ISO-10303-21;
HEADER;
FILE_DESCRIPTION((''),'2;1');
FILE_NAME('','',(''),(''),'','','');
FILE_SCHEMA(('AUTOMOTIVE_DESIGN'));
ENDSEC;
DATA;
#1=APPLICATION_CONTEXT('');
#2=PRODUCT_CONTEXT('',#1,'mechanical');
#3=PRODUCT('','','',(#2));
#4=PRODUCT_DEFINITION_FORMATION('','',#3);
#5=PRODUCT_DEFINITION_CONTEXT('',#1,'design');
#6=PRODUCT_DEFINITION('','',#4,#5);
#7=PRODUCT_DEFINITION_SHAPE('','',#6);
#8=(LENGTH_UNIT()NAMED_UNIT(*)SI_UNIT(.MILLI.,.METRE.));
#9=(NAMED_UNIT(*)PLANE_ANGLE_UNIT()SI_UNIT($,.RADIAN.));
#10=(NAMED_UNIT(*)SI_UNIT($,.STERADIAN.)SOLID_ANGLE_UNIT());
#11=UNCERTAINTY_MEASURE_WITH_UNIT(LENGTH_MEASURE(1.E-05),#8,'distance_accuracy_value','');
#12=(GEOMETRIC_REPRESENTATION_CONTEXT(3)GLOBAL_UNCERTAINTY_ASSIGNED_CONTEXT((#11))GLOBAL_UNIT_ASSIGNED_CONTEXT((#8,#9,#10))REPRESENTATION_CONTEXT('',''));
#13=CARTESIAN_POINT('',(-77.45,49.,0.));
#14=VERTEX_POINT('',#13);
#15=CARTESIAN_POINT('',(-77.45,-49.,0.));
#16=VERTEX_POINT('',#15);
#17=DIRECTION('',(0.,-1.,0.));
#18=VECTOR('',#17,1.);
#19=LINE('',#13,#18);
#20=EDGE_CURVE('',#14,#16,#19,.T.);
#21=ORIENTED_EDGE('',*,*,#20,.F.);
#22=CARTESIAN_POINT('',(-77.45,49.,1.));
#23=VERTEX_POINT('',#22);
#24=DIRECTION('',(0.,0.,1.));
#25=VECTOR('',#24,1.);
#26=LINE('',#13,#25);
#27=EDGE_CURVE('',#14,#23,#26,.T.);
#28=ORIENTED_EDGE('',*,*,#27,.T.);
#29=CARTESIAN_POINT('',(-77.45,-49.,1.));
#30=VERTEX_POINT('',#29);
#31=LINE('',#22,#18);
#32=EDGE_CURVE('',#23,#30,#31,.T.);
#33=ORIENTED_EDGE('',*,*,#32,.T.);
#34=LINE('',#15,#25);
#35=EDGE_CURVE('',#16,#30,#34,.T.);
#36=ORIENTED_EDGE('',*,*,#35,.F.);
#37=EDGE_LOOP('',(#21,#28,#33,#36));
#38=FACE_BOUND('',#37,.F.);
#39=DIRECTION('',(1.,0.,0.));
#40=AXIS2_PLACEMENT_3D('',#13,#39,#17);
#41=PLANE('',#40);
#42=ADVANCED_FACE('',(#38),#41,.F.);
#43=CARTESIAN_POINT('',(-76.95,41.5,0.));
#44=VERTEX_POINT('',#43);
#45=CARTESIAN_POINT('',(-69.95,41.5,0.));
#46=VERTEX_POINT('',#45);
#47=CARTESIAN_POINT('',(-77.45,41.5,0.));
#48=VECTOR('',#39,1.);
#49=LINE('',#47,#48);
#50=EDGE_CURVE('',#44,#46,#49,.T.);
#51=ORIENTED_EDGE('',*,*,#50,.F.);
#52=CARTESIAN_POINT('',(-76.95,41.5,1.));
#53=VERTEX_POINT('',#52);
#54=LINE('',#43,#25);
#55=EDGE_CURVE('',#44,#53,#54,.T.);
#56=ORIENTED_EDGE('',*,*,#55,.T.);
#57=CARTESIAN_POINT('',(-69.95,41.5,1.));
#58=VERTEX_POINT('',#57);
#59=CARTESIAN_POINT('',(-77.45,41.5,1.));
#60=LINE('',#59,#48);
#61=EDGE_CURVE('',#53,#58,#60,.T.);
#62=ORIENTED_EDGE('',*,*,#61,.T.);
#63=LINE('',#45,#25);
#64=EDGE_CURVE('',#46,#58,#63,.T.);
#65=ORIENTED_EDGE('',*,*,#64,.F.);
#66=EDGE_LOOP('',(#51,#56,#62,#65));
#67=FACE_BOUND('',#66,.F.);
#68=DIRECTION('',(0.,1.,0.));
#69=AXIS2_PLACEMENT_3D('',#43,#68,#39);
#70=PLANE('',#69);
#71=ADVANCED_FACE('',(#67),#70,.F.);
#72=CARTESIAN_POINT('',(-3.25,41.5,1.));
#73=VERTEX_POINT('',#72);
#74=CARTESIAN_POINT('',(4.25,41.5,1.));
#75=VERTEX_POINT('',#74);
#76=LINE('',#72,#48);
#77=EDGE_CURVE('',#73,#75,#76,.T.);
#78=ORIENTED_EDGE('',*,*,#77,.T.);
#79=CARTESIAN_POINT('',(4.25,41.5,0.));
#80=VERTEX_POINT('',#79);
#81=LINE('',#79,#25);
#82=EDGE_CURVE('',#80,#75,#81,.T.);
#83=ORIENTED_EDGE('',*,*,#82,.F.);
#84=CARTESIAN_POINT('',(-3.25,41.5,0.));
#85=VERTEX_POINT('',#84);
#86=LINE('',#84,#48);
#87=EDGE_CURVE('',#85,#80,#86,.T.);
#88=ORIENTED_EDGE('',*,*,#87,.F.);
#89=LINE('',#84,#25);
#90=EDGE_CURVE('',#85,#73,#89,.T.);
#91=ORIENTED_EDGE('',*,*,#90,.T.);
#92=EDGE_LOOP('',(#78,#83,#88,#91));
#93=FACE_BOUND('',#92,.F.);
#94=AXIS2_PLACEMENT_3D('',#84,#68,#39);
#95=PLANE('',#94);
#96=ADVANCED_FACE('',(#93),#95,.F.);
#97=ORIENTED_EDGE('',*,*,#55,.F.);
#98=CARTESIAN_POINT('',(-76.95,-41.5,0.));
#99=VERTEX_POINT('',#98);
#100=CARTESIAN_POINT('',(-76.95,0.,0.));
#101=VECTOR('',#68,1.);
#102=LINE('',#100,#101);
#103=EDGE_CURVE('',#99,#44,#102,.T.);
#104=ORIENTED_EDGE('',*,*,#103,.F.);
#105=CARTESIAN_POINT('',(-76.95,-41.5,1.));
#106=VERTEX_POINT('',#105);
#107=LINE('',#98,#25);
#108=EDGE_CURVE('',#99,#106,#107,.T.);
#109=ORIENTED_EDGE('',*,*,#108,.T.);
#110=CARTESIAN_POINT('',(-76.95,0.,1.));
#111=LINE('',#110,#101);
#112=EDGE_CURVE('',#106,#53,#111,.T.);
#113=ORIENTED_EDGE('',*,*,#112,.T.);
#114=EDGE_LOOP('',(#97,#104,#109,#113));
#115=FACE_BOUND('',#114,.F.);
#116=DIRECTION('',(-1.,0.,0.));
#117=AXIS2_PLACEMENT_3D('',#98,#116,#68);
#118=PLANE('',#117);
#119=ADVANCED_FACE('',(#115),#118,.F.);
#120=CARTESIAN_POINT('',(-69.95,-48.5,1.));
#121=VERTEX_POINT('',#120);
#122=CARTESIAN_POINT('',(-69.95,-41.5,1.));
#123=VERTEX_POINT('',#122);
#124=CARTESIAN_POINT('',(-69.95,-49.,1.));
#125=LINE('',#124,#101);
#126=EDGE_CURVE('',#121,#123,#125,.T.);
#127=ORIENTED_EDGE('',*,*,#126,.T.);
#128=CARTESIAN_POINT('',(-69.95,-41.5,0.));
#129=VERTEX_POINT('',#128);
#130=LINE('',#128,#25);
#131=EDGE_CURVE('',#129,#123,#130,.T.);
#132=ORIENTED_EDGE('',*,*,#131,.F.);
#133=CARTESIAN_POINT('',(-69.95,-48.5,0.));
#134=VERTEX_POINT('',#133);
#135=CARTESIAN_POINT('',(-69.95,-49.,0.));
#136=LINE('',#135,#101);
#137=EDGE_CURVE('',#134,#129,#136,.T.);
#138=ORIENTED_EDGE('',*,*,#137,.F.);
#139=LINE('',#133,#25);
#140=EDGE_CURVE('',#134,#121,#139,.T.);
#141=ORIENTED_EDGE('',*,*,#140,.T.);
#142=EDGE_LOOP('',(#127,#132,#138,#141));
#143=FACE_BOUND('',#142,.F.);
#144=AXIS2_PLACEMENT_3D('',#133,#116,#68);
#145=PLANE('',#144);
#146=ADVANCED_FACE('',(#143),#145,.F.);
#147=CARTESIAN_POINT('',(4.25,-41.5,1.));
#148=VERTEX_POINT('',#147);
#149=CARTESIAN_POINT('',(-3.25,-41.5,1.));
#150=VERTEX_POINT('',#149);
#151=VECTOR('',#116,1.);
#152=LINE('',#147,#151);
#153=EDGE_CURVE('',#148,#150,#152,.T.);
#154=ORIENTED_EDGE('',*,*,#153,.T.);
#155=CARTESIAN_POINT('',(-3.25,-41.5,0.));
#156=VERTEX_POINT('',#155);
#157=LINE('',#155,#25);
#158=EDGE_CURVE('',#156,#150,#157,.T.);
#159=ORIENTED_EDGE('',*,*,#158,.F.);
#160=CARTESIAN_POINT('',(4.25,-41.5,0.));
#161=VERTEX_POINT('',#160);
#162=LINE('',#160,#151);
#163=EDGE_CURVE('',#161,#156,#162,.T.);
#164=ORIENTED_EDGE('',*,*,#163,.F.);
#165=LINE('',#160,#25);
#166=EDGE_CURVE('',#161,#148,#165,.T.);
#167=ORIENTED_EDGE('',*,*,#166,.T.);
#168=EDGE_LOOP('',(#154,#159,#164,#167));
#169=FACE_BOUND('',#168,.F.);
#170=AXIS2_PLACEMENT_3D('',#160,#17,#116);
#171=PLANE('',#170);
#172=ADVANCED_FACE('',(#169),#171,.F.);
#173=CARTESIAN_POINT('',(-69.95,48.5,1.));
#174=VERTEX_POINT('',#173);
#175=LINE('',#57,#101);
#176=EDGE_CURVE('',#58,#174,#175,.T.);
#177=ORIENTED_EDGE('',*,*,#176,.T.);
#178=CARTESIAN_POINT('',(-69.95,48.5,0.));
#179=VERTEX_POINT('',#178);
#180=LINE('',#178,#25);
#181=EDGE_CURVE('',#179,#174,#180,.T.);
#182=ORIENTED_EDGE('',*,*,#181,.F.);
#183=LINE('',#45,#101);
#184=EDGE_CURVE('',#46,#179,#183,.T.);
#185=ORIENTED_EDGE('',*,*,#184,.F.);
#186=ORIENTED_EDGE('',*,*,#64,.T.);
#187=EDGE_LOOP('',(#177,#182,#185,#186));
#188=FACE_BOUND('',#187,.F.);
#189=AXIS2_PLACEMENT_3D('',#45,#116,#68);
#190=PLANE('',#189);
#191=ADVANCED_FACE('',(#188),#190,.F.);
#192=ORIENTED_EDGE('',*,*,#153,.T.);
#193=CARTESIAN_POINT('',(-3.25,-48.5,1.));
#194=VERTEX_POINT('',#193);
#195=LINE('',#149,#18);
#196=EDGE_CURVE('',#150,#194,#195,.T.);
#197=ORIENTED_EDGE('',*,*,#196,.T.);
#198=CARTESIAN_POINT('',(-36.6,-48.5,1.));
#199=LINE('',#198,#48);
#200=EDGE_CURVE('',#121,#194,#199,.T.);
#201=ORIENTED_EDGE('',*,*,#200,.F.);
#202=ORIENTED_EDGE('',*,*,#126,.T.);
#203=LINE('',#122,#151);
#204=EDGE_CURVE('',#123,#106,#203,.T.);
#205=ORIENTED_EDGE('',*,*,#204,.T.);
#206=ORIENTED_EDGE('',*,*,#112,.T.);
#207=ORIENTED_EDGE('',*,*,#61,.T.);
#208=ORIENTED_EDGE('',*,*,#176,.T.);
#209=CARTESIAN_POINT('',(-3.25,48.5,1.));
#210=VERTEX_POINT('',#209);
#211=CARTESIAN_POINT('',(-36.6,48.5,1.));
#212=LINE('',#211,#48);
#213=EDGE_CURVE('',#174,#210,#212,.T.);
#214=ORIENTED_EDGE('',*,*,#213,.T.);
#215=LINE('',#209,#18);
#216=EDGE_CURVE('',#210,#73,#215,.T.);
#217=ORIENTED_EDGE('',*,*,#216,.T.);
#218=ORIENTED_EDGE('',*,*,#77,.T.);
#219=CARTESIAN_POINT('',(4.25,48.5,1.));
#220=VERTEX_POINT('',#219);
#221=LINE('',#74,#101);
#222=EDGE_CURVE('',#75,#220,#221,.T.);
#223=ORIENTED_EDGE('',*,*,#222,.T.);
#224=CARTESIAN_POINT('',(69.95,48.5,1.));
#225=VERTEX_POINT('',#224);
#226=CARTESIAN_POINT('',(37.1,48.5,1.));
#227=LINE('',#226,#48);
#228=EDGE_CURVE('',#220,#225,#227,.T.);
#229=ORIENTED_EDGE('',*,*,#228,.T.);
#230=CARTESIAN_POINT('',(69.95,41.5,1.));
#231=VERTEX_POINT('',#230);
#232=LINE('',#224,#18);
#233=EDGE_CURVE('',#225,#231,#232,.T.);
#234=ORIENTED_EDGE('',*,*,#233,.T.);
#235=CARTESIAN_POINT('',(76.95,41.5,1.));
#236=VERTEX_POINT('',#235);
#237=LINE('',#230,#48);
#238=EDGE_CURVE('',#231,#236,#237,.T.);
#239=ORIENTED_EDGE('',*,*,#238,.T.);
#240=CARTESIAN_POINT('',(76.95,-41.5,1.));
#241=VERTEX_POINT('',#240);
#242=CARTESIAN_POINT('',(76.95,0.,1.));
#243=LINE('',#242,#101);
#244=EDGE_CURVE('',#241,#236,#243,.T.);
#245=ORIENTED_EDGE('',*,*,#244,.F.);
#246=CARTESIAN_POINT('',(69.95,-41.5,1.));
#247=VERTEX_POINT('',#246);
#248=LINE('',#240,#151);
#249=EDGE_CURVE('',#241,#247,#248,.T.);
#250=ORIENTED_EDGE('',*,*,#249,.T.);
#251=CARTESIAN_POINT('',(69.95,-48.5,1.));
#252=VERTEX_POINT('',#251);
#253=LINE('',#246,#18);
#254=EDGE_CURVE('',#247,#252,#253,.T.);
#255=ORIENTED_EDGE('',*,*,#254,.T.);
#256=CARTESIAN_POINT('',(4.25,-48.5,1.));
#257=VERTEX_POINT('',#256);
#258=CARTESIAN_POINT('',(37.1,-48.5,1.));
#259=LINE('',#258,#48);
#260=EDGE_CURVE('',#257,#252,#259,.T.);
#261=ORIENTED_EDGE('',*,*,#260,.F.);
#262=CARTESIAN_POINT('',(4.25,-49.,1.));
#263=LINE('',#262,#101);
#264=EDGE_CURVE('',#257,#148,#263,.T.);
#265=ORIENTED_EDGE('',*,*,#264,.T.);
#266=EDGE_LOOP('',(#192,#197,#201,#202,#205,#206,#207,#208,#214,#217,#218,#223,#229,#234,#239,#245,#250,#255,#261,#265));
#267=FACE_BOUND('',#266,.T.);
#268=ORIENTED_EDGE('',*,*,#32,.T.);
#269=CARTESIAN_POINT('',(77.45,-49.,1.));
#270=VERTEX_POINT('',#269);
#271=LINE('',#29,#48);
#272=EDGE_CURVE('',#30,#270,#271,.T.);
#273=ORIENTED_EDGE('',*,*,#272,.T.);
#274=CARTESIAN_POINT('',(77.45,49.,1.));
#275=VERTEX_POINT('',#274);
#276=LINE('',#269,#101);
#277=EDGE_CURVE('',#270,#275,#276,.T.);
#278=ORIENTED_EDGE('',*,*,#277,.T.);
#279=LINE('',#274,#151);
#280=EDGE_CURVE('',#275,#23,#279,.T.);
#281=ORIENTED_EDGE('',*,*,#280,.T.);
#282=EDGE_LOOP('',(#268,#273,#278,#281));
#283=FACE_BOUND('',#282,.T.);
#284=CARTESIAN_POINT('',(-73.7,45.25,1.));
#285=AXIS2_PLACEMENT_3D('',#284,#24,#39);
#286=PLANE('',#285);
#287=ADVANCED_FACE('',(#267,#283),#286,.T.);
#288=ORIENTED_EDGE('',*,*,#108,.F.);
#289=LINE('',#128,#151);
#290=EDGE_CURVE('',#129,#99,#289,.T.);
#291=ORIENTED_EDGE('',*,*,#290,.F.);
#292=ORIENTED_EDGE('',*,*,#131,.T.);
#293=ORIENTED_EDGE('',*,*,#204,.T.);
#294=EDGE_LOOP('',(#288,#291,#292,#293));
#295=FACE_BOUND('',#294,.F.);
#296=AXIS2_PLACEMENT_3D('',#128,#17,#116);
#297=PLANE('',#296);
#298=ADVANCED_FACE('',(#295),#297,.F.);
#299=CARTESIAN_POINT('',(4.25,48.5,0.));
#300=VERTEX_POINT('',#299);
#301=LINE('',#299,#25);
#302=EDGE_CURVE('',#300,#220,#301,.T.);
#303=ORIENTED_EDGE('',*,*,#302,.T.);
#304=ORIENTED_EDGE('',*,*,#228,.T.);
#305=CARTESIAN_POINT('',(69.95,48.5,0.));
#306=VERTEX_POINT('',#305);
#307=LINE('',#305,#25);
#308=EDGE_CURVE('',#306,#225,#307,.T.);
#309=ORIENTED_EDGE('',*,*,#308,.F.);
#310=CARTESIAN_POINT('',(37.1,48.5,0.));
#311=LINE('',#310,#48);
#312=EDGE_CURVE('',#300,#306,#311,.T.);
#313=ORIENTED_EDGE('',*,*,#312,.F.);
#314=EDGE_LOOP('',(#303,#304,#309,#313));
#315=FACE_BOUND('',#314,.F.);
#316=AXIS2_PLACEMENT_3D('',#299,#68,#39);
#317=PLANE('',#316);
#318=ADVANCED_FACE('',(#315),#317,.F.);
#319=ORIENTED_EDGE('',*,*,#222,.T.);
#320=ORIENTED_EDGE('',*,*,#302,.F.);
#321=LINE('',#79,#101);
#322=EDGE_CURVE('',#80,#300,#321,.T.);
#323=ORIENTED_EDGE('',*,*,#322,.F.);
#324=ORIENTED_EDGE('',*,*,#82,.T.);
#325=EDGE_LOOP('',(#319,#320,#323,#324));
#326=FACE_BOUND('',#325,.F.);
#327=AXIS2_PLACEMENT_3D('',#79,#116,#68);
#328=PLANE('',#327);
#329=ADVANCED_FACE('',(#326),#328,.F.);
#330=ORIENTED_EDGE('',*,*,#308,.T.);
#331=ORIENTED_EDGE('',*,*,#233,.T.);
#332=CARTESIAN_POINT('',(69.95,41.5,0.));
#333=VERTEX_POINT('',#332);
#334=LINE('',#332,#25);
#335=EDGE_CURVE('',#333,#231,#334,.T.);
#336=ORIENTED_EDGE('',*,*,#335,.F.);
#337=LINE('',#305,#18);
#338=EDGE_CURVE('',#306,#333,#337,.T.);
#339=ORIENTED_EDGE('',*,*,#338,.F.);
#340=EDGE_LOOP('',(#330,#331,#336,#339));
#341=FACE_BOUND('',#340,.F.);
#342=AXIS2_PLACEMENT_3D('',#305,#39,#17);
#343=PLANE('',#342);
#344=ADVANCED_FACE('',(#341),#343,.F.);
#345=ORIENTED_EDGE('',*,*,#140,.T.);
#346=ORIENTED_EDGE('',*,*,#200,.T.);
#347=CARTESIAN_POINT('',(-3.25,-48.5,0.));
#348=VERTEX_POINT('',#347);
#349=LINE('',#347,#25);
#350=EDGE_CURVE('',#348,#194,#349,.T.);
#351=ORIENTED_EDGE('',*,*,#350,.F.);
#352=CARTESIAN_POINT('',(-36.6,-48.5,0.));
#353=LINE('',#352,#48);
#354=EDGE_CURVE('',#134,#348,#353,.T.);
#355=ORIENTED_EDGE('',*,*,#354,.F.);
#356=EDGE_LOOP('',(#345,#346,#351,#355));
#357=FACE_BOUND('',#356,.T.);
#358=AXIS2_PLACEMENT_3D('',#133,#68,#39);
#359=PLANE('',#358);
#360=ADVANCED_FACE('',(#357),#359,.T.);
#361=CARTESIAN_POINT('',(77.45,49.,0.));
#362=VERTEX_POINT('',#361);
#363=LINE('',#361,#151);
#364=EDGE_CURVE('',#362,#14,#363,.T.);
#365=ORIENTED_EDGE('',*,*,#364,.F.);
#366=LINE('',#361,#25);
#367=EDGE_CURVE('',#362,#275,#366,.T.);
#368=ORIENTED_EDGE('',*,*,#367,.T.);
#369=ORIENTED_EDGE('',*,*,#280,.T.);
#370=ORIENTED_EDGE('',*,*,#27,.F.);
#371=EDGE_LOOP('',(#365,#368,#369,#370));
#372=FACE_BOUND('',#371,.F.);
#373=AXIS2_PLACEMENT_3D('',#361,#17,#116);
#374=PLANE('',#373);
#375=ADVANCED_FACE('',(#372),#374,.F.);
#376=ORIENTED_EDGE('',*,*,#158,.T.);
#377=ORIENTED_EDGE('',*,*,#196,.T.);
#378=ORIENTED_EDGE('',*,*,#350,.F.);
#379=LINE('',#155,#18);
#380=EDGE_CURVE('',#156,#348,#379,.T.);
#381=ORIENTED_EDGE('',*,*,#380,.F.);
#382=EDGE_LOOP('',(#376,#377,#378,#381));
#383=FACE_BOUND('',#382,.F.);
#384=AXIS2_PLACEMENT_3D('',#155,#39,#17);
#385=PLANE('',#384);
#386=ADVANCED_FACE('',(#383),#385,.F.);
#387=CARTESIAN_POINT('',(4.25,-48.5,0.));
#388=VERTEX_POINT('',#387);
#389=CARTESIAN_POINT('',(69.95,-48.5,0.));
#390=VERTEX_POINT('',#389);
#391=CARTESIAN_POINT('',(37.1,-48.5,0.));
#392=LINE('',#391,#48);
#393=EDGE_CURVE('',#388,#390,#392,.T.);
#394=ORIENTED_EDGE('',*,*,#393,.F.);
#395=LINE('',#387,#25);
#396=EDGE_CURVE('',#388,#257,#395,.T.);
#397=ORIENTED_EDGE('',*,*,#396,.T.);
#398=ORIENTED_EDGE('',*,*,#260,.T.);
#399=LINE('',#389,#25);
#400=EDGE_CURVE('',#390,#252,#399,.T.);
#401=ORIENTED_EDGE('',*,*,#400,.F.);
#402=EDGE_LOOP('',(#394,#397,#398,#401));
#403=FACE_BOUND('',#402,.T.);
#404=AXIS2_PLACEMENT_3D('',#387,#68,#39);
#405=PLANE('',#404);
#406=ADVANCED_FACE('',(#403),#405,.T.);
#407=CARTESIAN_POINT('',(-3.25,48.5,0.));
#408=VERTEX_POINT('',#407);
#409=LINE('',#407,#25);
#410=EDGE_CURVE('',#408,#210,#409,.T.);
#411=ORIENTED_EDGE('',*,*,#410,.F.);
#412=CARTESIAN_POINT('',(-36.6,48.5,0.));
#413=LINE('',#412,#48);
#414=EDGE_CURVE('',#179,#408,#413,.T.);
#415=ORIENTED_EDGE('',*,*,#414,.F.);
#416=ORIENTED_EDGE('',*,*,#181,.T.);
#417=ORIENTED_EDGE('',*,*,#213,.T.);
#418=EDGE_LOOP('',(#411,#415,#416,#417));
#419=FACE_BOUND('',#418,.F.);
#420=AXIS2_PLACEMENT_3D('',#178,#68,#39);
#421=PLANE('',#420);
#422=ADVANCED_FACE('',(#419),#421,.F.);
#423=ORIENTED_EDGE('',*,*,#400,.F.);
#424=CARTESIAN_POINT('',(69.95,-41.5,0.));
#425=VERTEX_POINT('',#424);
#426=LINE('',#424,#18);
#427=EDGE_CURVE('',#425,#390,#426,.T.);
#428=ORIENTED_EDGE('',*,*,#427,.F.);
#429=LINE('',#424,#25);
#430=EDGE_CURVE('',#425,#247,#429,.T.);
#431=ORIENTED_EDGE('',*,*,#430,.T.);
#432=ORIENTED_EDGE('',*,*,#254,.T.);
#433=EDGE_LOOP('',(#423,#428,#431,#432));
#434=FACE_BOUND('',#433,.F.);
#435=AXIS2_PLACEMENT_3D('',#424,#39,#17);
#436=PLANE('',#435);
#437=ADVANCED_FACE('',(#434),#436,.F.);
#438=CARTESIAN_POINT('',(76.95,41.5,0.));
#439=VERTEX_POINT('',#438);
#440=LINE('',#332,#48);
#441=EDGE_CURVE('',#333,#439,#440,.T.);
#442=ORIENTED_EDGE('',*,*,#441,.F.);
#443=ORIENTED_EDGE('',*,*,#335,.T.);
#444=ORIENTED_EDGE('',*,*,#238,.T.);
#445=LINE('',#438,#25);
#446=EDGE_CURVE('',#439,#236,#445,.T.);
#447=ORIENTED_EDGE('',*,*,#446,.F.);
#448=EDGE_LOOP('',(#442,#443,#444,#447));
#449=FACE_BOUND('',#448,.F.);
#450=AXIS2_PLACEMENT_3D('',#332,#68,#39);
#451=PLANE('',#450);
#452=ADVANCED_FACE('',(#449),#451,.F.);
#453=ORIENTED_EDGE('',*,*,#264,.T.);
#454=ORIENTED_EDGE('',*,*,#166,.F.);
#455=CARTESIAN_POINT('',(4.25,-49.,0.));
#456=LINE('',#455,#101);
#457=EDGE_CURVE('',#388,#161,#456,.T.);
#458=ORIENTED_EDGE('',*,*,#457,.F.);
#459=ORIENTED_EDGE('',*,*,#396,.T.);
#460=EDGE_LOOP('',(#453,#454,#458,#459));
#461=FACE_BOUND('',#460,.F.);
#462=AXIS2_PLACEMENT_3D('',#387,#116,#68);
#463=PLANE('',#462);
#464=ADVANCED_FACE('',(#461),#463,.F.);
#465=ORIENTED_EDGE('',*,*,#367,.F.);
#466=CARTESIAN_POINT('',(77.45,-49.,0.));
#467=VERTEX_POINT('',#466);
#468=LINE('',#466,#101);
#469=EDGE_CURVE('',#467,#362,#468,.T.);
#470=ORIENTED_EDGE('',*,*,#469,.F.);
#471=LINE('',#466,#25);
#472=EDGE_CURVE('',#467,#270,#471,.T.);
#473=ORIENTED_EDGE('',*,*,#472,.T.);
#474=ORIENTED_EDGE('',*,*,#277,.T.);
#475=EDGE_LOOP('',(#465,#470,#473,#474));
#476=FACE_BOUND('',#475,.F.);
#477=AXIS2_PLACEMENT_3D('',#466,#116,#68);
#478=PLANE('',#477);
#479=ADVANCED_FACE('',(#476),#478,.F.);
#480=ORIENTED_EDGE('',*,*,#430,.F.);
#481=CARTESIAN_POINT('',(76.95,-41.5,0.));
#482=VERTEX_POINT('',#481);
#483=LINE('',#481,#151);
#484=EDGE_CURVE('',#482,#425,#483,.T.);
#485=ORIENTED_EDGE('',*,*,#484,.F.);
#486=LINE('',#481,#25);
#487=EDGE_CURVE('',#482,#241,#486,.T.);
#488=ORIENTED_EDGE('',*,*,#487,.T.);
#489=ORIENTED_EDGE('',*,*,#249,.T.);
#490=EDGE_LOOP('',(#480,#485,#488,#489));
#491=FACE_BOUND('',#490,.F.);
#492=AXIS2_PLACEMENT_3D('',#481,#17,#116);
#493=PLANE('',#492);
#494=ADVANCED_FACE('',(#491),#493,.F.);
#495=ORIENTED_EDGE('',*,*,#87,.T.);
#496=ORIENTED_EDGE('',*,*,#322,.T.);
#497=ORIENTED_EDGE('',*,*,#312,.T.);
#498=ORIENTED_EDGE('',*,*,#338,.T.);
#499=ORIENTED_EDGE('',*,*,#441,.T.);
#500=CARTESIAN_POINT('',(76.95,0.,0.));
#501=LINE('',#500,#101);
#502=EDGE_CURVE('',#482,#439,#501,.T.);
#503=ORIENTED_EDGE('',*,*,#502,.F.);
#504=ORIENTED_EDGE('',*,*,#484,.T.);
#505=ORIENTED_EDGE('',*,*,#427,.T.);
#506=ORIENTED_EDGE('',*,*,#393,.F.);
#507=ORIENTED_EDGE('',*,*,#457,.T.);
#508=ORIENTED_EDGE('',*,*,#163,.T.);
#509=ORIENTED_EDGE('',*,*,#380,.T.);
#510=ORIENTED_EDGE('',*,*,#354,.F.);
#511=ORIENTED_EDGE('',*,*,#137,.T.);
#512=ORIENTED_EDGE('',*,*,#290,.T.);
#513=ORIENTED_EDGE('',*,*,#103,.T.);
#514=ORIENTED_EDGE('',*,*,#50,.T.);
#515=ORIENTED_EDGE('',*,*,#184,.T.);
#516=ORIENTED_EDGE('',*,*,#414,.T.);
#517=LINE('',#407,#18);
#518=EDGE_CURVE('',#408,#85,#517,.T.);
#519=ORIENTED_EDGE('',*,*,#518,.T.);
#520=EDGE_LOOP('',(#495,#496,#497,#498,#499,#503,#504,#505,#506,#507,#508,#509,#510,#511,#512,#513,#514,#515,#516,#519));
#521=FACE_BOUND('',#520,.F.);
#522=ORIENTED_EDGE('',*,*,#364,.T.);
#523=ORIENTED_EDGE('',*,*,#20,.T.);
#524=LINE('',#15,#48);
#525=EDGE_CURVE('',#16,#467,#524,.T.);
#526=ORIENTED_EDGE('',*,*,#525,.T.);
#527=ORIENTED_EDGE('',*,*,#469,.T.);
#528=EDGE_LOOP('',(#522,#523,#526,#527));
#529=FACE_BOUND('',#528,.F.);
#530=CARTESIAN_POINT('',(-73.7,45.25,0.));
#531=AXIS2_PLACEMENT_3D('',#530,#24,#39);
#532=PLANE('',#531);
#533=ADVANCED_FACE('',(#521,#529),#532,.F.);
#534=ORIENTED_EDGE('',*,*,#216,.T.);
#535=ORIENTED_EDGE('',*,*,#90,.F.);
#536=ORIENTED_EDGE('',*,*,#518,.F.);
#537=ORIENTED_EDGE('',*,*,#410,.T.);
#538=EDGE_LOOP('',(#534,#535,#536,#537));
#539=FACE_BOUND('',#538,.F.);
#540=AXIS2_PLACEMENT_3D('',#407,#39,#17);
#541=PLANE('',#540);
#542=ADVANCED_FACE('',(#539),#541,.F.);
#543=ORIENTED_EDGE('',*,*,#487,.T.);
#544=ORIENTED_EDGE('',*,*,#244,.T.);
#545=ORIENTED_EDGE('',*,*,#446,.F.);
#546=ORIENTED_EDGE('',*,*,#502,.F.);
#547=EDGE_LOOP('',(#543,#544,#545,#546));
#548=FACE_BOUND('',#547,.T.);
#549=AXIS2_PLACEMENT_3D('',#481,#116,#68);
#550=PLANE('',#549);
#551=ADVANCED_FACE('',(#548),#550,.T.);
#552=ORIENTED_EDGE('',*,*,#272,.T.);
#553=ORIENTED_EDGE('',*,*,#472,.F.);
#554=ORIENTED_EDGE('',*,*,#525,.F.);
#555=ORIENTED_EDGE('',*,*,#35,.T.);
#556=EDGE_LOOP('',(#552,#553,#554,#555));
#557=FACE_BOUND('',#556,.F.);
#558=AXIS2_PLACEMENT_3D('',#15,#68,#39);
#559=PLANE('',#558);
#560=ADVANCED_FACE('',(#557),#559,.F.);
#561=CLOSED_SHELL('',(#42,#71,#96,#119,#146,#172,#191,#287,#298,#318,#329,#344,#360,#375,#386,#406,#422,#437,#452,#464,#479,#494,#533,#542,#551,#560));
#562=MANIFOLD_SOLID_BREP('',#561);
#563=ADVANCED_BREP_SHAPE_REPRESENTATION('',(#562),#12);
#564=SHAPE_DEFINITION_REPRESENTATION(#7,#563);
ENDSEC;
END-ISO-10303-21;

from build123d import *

# Parameters (mm, degrees)
F0_W     = 66.7
F0_H     = 0.5
F0_W_2   = 0.5
F0_H_2   = 83
F0_W_3   = 65.7
F1_DEPTH = 1


with BuildPart() as f1:
    # F0 (on Top) → F1 (new body)
    with BuildSketch(Plane.XY):
        Polygon((-69.95, 49), (-77.45, 49), (-77.45, 41.5), (-76.95, 41.5), (-69.95, 41.5), (-69.95, 48.5), align=None)
        with Locations((-36.6, 48.75)):
            Rectangle(F0_W, F0_H)
        with Locations((-77.2, 0)):
            Rectangle(F0_W_2, F0_H_2)
        Polygon((0, 49), (-3.25, 49), (-3.25, 48.5), (-3.25, 41.5), (4.25, 41.5), (4.25, 48.5), (4.25, 49), align=None)
        Polygon((-76.95, -41.5), (-77.45, -41.5), (-77.45, -49), (-69.95, -49), (-69.95, -48.5), (-69.95, -41.5), align=None)
        with Locations((37.1, 48.75)):
            Rectangle(F0_W_3, F0_H)
        with Locations((-36.6, -48.75)):
            Rectangle(F0_W, F0_H)
        Polygon((77.45, 49), (69.95, 49), (69.95, 48.5), (69.95, 41.5), (76.95, 41.5), (77.45, 41.5), align=None)
        Polygon((-3.25, -48.5), (-3.25, -49), (0, -49), (4.25, -49), (4.25, -48.5), (4.25, -41.5), (-3.25, -41.5), align=None)
        with Locations((77.2, 0)):
            Rectangle(F0_W_2, F0_H_2)
        with Locations((37.1, -48.75)):
            Rectangle(F0_W_3, F0_H)
        Polygon((77.45, -49), (77.45, -41.5), (76.95, -41.5), (69.95, -41.5), (69.95, -48.5), (69.95, -49), align=None)
    extrude(amount=F1_DEPTH)


solid = f1.part
